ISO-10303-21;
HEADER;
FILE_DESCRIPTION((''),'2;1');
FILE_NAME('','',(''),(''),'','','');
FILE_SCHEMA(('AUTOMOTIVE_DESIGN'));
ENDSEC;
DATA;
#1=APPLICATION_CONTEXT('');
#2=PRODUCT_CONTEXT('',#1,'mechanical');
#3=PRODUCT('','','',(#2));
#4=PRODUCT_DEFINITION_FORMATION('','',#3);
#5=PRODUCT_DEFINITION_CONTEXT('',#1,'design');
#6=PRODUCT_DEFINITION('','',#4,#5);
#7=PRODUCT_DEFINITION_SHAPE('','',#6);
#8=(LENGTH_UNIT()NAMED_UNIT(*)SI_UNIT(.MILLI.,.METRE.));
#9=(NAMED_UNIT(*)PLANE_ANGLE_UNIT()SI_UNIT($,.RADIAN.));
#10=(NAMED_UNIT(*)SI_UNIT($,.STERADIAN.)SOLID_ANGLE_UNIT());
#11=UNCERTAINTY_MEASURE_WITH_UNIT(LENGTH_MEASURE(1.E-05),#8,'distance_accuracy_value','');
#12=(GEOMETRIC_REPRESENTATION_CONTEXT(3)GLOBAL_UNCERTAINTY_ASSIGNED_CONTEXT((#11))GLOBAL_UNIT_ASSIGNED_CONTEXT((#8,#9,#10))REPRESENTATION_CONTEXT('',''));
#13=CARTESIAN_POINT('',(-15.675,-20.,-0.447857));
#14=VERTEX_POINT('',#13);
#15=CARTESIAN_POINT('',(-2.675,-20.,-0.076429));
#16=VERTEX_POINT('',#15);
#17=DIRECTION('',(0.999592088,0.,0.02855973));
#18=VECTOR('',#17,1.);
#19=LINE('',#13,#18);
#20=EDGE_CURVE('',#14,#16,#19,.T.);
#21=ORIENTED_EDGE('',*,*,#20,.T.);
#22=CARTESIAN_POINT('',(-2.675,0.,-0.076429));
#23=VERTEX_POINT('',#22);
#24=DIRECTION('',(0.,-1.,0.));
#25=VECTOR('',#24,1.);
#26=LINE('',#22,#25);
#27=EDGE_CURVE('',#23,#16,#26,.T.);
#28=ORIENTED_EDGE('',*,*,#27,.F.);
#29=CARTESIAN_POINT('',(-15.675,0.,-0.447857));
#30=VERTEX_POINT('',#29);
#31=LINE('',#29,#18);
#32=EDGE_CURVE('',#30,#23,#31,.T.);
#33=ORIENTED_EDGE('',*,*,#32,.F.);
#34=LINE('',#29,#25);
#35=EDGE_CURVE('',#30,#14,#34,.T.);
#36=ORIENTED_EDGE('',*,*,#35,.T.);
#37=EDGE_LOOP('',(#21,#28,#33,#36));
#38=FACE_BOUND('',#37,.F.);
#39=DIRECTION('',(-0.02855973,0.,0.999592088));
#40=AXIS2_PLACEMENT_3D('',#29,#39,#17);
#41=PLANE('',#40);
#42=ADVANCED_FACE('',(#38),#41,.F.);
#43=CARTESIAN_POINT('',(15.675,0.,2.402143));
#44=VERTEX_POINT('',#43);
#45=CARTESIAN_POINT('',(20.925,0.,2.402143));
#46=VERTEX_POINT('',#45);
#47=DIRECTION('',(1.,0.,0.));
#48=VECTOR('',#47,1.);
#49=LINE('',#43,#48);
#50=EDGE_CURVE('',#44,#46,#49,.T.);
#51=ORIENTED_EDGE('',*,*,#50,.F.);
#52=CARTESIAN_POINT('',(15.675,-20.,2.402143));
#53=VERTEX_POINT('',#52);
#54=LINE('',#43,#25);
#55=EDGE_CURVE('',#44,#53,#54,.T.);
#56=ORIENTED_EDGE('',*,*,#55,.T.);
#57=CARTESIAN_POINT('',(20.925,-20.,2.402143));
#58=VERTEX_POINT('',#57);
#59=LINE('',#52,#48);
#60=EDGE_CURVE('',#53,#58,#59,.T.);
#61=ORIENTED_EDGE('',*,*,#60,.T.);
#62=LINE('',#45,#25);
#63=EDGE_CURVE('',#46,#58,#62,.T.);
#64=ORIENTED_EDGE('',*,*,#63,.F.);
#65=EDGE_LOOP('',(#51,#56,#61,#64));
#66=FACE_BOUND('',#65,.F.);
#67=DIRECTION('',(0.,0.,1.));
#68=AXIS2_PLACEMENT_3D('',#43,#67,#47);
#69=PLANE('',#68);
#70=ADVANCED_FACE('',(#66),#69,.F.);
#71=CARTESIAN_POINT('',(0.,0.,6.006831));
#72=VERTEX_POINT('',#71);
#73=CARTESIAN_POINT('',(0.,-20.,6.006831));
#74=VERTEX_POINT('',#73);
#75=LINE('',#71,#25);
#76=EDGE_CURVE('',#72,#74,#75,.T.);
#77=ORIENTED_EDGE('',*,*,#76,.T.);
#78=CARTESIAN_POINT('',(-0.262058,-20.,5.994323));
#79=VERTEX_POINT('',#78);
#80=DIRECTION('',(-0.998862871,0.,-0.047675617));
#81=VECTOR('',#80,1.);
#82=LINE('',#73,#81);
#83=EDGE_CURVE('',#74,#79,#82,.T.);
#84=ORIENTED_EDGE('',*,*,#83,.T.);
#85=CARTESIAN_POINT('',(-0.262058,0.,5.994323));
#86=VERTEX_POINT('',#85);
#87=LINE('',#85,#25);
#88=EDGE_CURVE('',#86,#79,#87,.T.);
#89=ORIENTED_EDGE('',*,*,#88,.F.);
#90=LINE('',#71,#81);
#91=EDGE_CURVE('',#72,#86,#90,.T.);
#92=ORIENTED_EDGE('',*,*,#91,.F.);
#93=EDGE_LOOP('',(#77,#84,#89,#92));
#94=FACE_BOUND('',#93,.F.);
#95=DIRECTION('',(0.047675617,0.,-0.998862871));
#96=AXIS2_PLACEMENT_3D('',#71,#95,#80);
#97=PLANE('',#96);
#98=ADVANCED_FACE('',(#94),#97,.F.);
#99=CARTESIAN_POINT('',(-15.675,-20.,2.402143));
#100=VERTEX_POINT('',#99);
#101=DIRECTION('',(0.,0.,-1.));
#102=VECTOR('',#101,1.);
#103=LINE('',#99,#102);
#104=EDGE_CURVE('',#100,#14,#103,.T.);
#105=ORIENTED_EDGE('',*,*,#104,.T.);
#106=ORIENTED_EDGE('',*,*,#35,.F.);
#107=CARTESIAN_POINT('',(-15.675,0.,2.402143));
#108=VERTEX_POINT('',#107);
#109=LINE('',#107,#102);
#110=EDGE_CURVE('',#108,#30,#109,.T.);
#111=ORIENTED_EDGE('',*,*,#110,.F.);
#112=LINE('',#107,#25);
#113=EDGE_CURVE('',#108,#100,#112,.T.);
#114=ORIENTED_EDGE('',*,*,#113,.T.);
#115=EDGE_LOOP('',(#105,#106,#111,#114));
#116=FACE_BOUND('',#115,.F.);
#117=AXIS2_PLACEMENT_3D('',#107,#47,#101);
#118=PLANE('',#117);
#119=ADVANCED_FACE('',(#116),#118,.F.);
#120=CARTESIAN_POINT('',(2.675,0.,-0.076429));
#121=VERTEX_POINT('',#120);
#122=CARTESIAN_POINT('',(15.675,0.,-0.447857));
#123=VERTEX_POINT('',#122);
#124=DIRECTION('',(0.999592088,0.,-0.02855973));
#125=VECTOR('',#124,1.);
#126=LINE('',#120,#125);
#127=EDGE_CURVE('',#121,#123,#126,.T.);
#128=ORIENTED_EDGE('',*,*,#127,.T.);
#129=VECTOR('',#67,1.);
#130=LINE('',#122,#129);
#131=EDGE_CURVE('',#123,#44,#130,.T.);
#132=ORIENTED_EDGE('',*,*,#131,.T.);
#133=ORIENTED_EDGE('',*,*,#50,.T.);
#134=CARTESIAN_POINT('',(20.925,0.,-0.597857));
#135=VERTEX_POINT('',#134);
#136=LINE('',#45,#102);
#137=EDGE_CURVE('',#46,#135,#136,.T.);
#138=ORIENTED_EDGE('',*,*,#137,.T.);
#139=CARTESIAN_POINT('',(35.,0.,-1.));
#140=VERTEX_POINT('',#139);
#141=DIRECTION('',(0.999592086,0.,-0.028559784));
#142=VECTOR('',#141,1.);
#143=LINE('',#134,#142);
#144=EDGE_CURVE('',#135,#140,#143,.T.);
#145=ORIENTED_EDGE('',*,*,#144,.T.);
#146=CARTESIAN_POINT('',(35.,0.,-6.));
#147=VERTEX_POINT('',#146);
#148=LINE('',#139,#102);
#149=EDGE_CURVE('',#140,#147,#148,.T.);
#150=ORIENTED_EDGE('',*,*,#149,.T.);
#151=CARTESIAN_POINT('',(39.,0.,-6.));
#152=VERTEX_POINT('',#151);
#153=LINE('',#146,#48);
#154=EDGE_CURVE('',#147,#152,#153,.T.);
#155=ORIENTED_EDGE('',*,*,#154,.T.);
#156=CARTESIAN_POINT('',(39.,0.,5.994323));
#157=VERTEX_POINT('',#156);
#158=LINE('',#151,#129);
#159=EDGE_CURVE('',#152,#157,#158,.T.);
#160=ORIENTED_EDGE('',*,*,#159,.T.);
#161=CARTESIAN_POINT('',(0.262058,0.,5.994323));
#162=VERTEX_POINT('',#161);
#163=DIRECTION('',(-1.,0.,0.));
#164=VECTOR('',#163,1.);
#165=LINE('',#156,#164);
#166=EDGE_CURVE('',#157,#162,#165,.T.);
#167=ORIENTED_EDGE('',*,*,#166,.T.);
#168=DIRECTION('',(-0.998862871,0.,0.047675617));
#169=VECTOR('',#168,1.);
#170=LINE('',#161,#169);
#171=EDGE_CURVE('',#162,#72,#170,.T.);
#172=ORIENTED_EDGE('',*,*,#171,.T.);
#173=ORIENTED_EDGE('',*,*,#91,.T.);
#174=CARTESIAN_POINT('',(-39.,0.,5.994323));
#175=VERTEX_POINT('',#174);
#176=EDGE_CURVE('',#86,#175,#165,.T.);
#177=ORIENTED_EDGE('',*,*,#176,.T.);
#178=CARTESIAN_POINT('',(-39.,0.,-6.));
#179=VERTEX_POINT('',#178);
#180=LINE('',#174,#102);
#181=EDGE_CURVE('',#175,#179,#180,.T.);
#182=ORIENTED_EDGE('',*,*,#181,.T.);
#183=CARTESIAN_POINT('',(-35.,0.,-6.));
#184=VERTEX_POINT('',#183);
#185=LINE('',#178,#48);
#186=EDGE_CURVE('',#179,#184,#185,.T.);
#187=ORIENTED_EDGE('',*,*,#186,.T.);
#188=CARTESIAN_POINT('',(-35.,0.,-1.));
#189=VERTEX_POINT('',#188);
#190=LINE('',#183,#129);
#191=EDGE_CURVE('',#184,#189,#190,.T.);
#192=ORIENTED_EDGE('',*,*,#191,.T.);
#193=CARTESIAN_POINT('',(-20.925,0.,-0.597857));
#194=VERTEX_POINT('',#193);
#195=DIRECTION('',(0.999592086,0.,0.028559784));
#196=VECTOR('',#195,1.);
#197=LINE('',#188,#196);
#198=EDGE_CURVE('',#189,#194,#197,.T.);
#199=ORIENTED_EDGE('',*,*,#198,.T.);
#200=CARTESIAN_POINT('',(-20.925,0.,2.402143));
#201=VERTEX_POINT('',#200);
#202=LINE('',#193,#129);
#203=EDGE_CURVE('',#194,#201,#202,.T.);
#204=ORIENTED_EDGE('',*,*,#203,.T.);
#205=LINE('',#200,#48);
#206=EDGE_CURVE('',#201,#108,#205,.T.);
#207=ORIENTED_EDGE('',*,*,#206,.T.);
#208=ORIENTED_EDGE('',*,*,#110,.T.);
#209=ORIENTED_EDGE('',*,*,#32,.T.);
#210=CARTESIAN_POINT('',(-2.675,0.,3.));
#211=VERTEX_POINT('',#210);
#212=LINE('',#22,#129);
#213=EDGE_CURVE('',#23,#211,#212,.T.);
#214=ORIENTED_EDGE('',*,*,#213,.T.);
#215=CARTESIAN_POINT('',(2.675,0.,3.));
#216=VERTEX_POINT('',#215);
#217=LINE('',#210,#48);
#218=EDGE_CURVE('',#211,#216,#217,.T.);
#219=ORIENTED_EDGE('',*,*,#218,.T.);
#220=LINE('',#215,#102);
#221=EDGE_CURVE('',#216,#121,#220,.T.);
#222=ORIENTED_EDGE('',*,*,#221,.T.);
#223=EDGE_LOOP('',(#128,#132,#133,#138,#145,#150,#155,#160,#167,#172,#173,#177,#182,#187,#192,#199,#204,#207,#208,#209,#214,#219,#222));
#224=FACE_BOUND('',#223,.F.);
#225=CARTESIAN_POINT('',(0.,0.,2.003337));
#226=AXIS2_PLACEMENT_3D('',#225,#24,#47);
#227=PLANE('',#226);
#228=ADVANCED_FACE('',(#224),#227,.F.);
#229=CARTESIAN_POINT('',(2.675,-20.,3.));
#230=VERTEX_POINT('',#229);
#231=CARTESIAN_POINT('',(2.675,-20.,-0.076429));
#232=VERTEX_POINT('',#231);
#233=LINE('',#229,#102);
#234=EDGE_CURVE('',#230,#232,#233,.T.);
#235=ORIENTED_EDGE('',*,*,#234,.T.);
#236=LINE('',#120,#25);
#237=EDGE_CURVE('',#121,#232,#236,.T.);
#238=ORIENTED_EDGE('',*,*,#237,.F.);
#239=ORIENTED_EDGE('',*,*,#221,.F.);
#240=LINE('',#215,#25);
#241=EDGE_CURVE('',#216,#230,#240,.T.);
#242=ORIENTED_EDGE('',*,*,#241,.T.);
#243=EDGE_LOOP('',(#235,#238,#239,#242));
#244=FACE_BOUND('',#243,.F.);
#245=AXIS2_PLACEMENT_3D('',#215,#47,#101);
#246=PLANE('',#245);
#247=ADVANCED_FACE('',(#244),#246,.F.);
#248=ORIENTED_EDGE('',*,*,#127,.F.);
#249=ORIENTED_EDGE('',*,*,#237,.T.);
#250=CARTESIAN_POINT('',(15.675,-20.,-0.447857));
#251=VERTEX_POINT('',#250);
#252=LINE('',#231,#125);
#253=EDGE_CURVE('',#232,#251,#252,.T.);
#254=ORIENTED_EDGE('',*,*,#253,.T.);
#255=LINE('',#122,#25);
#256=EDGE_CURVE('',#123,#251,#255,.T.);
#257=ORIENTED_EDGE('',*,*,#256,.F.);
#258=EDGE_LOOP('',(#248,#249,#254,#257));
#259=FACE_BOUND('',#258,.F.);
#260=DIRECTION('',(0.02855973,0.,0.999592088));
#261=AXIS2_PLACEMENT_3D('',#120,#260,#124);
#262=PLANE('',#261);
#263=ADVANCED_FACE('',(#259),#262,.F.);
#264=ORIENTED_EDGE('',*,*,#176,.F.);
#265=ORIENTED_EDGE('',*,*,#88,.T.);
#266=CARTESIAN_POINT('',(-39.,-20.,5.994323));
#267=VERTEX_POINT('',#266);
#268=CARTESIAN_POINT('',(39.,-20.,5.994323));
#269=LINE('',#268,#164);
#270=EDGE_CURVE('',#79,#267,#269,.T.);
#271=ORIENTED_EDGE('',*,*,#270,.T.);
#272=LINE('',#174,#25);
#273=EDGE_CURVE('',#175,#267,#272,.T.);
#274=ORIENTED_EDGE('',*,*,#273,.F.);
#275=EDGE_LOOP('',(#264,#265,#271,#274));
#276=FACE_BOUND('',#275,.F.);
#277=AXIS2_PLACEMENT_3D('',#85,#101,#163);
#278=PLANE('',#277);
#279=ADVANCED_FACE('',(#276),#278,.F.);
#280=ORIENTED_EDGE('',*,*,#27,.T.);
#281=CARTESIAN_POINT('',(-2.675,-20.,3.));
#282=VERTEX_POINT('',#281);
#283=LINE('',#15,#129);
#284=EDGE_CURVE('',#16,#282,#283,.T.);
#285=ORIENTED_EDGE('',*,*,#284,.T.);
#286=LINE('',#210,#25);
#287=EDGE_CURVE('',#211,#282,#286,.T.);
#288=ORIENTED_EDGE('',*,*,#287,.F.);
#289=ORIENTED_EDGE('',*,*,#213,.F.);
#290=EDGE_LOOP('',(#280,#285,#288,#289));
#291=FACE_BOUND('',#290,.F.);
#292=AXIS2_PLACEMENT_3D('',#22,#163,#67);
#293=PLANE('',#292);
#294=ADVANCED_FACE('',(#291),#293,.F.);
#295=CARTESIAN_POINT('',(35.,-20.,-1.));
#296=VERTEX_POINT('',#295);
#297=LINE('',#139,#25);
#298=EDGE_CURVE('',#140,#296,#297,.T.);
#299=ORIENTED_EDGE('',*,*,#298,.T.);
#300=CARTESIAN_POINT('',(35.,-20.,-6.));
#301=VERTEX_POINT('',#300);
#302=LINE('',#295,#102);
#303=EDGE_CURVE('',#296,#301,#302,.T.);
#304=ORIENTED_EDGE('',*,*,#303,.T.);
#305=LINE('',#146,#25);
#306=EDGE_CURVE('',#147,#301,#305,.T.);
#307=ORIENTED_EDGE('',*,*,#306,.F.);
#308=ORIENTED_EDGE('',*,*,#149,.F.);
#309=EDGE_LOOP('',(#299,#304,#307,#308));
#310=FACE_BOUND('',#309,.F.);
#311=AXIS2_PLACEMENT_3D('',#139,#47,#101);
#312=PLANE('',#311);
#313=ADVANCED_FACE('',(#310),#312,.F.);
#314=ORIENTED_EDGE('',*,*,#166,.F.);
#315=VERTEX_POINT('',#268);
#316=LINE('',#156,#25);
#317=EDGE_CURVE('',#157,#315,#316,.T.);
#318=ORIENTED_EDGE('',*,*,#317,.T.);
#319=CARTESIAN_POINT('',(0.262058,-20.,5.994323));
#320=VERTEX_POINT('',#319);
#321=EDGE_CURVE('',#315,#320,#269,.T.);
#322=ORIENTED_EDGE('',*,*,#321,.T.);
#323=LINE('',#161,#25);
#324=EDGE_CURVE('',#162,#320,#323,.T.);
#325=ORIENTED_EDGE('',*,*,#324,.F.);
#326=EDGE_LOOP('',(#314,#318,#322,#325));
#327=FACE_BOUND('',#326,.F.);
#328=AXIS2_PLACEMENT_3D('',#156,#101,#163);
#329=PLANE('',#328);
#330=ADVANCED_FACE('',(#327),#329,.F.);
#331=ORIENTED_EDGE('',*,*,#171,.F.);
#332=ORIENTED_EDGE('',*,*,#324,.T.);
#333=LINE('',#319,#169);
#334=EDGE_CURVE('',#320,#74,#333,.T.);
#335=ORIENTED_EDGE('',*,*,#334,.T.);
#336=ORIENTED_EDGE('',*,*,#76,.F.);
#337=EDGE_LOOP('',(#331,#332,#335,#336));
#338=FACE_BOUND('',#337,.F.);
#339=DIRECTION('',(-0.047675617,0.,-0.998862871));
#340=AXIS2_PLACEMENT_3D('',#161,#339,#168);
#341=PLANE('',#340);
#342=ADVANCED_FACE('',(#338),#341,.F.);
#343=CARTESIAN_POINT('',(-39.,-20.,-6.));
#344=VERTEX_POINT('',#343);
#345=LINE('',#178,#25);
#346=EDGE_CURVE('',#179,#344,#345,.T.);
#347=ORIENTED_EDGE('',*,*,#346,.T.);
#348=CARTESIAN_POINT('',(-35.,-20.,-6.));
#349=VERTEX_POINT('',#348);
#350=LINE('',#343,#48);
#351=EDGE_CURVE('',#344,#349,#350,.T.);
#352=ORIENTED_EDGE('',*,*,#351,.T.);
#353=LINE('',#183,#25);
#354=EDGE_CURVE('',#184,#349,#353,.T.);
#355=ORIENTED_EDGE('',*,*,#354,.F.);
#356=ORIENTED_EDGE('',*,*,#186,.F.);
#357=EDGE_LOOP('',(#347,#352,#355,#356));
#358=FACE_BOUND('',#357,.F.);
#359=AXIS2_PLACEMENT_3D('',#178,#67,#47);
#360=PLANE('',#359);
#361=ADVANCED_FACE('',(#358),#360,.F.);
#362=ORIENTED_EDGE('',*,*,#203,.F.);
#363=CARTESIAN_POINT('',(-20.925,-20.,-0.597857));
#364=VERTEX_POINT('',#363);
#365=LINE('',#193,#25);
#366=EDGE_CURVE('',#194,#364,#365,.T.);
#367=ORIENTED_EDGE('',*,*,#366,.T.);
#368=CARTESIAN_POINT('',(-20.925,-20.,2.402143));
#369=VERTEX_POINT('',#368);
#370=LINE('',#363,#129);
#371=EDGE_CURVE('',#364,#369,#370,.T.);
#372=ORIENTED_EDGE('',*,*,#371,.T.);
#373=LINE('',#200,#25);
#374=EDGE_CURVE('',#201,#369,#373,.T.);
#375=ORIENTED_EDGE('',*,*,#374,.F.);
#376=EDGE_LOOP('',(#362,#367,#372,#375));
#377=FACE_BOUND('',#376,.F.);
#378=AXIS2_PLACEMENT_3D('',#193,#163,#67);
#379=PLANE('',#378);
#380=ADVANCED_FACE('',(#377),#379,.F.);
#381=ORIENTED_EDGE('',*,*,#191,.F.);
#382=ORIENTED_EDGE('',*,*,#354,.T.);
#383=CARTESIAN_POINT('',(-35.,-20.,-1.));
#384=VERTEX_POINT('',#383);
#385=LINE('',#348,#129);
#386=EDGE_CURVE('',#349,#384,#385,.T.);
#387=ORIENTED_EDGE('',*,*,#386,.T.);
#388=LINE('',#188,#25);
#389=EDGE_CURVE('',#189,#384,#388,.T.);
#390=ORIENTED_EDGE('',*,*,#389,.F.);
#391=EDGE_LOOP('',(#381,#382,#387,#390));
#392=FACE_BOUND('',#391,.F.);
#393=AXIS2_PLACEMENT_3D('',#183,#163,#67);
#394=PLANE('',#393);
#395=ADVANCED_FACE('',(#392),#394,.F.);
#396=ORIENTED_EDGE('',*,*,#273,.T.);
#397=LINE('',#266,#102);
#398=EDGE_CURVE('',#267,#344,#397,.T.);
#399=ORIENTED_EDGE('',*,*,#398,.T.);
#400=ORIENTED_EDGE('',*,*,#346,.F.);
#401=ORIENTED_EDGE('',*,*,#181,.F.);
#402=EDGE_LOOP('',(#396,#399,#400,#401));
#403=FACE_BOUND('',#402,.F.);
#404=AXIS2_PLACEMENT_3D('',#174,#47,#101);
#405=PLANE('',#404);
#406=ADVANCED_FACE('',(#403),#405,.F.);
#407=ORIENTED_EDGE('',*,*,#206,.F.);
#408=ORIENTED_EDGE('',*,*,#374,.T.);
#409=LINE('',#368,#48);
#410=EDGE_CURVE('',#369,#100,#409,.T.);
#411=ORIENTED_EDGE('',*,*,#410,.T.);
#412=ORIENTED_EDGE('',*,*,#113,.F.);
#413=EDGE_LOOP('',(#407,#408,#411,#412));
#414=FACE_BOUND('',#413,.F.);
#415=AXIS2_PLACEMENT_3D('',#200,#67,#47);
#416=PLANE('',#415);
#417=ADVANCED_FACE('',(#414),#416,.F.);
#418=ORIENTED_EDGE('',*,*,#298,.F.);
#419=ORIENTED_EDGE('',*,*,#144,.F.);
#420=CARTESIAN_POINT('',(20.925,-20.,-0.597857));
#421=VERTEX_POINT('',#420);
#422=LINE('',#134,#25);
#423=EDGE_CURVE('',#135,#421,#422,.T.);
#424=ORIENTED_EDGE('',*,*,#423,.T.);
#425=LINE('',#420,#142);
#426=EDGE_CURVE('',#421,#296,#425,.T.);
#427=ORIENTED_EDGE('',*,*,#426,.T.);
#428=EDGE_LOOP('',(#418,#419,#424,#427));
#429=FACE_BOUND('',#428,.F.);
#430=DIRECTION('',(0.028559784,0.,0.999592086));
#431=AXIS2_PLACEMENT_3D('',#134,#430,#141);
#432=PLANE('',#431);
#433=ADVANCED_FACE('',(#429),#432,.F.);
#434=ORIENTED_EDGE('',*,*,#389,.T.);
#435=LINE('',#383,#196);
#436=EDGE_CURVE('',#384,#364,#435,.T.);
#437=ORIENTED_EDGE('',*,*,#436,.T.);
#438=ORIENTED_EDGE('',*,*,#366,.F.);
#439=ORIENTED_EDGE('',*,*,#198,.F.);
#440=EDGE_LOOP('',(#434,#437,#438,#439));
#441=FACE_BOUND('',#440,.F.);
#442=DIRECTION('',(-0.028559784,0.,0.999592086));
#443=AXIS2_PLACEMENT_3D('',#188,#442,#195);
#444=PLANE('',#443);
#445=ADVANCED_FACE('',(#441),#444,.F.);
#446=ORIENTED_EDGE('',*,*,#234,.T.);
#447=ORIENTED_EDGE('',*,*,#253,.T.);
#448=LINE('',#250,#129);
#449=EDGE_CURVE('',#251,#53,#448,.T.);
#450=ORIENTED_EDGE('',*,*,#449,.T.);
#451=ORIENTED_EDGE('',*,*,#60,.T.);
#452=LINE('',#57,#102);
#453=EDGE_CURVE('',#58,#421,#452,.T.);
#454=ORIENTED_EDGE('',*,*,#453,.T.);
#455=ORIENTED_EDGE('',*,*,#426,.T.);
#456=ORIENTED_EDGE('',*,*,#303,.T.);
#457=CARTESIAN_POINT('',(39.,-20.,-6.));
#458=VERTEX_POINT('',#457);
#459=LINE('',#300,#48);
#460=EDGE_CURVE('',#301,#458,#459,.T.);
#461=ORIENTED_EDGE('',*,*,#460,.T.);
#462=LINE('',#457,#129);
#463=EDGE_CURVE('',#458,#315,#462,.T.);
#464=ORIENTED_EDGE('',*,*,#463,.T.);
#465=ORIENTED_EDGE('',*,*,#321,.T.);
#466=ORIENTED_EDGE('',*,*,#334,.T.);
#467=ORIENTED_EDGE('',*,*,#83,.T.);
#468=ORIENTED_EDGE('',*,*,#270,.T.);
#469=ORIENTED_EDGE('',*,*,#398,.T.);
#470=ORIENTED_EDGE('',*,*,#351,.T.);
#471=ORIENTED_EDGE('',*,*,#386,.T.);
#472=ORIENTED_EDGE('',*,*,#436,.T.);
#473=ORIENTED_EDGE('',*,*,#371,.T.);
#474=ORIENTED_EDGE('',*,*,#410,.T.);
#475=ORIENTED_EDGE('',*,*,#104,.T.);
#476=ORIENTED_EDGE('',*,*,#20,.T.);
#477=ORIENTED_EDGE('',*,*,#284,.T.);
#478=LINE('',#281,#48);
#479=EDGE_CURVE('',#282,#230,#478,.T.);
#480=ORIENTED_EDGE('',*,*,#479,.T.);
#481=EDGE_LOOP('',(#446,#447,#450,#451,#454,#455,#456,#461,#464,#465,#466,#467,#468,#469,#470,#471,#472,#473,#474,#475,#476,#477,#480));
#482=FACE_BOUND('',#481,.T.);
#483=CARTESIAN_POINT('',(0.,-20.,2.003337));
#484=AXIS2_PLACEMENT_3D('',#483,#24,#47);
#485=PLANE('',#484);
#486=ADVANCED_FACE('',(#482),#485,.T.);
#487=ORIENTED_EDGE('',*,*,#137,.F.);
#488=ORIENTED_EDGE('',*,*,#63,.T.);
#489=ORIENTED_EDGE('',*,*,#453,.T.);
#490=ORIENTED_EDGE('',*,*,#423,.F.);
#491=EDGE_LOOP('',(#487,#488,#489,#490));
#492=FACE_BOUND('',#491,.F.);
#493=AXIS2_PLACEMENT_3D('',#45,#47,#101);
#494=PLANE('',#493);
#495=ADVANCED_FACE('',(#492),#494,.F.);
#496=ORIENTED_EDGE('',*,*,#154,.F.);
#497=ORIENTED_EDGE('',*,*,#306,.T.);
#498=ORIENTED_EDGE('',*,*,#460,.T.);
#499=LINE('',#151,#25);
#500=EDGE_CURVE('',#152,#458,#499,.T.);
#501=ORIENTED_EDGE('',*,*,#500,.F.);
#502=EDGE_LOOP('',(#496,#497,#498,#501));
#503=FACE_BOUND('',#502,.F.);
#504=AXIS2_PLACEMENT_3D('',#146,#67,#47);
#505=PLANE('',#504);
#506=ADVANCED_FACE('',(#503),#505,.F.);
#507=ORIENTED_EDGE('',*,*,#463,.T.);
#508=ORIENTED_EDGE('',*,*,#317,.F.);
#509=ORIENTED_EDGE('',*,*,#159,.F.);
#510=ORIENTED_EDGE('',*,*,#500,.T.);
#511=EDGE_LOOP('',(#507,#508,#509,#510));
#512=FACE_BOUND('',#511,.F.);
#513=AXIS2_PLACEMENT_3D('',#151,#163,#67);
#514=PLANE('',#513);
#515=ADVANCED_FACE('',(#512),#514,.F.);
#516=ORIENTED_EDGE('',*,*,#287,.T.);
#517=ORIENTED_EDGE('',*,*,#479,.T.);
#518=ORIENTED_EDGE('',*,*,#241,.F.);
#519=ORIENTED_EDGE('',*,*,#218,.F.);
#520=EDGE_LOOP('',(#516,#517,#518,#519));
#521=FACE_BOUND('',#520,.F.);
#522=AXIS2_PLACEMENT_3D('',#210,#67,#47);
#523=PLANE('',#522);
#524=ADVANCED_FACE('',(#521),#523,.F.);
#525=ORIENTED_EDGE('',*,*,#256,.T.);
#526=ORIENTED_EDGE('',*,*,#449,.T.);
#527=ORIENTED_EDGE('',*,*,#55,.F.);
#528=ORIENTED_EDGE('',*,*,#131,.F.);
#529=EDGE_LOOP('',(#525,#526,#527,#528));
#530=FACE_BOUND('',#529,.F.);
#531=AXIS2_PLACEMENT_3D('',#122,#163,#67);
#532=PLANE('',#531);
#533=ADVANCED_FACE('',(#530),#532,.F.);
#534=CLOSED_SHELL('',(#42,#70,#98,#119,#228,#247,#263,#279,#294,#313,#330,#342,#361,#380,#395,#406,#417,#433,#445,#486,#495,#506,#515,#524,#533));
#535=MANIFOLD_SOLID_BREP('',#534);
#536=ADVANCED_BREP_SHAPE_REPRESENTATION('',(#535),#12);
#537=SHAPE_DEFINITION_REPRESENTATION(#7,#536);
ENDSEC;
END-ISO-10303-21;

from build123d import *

# Parameters (mm, degrees)
F1_DEPTH = 20


with BuildPart() as f1:
    # F0 (on Front) → F1 (new body)
    with BuildSketch(Plane.XZ):
        Polygon((-15.675, -0.447857), (-2.675, -0.076429), (-2.675, 3), (0, 3), (2.675, 3), (2.675, -0.076429), (15.675, -0.447857), (15.675, 2.402143), (20.925, 2.402143), (20.925, -0.597857), (35, -1), (35, -6), (39, -6), (39, 4.815907), (39, 5.994323), (0.262058, 5.994323), (-0.262058, 5.994323), (-39, 5.994323), (-39, 4.815907), (-39, -6), (-35, -6), (-35, -1), (-20.925, -0.597857), (-20.925, 2.402143), (-15.675, 2.402143), align=None)
        Polygon((0, 6.006831), (-0.262058, 5.994323), (0.262058, 5.994323), align=None)
    extrude(amount=F1_DEPTH)


solid = f1.part
